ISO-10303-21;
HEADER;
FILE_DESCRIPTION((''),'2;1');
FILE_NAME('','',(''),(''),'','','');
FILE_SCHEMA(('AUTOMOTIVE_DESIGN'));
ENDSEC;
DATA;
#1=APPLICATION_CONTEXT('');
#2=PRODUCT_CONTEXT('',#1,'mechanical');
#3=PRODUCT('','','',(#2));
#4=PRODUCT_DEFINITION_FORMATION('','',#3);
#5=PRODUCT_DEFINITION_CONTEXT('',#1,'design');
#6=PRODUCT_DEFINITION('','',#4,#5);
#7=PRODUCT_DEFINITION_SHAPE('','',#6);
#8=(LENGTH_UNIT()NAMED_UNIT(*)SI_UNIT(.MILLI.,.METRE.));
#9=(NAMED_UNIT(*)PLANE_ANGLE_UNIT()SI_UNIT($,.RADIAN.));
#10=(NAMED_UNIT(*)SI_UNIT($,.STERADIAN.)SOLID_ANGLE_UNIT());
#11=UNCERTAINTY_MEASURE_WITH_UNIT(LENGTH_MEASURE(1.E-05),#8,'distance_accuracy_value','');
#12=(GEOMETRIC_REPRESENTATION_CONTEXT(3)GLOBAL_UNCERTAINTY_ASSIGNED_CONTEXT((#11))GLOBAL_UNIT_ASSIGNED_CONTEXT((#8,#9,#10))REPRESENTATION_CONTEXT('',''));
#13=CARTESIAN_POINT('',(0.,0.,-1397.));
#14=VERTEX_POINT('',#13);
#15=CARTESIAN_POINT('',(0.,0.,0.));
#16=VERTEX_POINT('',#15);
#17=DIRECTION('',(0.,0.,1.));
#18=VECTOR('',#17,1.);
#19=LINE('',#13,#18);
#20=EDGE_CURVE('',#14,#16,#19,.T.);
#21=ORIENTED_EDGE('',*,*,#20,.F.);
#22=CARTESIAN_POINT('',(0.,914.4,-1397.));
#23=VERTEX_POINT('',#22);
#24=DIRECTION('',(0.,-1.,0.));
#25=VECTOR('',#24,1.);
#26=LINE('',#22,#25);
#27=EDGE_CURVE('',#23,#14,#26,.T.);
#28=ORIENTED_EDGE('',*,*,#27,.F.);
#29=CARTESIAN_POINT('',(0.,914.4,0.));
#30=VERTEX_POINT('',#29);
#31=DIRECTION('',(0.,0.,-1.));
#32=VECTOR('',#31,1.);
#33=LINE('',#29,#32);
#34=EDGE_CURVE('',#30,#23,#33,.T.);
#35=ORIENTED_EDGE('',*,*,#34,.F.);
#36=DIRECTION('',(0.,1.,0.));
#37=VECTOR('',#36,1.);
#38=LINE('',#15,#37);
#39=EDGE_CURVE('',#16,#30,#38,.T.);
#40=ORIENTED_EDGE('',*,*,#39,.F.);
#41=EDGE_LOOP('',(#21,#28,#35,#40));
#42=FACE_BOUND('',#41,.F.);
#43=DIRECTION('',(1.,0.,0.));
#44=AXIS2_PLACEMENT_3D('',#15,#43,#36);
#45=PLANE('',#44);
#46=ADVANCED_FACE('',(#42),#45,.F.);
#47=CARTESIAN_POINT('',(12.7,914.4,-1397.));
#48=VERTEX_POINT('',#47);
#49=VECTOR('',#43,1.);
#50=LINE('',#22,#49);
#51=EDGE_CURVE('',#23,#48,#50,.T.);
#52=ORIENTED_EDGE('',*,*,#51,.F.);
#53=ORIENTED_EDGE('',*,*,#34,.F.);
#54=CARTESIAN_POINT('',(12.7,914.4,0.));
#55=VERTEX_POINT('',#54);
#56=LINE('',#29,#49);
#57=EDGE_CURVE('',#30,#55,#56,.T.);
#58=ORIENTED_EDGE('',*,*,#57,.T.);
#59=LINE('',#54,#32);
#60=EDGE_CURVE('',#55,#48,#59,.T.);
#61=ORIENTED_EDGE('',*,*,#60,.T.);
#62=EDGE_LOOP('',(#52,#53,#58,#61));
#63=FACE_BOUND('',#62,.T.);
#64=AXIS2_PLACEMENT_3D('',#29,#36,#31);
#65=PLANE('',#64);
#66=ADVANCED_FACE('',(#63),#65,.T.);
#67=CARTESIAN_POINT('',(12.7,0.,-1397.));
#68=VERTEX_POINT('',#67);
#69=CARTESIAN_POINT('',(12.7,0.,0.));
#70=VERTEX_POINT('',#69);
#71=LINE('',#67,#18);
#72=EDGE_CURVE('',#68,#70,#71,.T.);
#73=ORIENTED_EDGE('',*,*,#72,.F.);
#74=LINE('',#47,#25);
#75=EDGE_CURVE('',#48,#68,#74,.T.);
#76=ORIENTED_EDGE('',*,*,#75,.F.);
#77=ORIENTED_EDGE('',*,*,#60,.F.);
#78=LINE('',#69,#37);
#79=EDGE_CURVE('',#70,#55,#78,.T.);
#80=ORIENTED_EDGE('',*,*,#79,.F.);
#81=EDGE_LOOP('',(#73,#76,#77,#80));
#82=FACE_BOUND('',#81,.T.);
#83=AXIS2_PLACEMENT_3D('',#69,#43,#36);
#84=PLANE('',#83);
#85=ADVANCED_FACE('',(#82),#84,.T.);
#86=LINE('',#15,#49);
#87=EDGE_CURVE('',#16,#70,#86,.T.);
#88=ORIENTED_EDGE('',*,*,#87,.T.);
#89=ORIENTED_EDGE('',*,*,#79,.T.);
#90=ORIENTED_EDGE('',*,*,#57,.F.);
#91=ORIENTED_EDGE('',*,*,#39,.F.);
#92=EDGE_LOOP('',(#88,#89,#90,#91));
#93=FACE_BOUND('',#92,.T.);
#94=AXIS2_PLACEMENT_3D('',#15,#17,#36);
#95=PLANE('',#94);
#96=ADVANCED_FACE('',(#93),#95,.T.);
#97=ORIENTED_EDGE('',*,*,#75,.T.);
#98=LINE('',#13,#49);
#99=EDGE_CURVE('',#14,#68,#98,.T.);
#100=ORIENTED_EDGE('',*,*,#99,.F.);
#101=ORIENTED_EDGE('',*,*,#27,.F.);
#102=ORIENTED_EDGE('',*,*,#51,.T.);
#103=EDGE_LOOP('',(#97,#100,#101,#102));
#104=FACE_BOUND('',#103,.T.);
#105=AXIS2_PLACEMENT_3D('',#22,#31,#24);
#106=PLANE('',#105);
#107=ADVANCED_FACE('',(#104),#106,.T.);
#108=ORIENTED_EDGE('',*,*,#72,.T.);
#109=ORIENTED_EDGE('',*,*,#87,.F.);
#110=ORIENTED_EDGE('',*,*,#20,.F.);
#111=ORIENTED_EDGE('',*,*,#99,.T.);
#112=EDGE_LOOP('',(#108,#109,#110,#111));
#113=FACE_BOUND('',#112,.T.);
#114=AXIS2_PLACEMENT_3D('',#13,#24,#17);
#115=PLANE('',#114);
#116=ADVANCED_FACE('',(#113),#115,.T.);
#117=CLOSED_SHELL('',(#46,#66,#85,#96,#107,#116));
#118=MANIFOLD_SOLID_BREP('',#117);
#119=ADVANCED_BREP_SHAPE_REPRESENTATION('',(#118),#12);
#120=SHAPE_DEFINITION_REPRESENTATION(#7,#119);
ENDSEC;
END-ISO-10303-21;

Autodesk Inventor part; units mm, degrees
ref_plane "YZ Plane" through (0, 0, 0) normal (1, 0, 0) x (0, 1, 0)
ref_plane "XZ Plane" through (0, 0, 0) normal (0, 1, 0) x (-1, 0, 0)
ref_plane "XY Plane" through (0, 0, 0) normal (0, 0, 1) x (1, 0, 0)
sketch "Sketch1" plane through (0, 0, 0) normal (1, 0, 0) x (0, 1, 0)
  line L0 (0, 0) -> (914.4, 0)
  line L1 (914.4, 0) -> (914.4, -1397)
  line L2 (914.4, -1397) -> (0, -1397)
  line L3 (0, -1397) -> (0, 0)
  dimension "d0" = 1397
  dimension "d1" = 914.4
extrude "Extrusion1" add sketch "Sketch1" along normal blind 12.7
properties part number "StationBase-ver2-1111-2021"
